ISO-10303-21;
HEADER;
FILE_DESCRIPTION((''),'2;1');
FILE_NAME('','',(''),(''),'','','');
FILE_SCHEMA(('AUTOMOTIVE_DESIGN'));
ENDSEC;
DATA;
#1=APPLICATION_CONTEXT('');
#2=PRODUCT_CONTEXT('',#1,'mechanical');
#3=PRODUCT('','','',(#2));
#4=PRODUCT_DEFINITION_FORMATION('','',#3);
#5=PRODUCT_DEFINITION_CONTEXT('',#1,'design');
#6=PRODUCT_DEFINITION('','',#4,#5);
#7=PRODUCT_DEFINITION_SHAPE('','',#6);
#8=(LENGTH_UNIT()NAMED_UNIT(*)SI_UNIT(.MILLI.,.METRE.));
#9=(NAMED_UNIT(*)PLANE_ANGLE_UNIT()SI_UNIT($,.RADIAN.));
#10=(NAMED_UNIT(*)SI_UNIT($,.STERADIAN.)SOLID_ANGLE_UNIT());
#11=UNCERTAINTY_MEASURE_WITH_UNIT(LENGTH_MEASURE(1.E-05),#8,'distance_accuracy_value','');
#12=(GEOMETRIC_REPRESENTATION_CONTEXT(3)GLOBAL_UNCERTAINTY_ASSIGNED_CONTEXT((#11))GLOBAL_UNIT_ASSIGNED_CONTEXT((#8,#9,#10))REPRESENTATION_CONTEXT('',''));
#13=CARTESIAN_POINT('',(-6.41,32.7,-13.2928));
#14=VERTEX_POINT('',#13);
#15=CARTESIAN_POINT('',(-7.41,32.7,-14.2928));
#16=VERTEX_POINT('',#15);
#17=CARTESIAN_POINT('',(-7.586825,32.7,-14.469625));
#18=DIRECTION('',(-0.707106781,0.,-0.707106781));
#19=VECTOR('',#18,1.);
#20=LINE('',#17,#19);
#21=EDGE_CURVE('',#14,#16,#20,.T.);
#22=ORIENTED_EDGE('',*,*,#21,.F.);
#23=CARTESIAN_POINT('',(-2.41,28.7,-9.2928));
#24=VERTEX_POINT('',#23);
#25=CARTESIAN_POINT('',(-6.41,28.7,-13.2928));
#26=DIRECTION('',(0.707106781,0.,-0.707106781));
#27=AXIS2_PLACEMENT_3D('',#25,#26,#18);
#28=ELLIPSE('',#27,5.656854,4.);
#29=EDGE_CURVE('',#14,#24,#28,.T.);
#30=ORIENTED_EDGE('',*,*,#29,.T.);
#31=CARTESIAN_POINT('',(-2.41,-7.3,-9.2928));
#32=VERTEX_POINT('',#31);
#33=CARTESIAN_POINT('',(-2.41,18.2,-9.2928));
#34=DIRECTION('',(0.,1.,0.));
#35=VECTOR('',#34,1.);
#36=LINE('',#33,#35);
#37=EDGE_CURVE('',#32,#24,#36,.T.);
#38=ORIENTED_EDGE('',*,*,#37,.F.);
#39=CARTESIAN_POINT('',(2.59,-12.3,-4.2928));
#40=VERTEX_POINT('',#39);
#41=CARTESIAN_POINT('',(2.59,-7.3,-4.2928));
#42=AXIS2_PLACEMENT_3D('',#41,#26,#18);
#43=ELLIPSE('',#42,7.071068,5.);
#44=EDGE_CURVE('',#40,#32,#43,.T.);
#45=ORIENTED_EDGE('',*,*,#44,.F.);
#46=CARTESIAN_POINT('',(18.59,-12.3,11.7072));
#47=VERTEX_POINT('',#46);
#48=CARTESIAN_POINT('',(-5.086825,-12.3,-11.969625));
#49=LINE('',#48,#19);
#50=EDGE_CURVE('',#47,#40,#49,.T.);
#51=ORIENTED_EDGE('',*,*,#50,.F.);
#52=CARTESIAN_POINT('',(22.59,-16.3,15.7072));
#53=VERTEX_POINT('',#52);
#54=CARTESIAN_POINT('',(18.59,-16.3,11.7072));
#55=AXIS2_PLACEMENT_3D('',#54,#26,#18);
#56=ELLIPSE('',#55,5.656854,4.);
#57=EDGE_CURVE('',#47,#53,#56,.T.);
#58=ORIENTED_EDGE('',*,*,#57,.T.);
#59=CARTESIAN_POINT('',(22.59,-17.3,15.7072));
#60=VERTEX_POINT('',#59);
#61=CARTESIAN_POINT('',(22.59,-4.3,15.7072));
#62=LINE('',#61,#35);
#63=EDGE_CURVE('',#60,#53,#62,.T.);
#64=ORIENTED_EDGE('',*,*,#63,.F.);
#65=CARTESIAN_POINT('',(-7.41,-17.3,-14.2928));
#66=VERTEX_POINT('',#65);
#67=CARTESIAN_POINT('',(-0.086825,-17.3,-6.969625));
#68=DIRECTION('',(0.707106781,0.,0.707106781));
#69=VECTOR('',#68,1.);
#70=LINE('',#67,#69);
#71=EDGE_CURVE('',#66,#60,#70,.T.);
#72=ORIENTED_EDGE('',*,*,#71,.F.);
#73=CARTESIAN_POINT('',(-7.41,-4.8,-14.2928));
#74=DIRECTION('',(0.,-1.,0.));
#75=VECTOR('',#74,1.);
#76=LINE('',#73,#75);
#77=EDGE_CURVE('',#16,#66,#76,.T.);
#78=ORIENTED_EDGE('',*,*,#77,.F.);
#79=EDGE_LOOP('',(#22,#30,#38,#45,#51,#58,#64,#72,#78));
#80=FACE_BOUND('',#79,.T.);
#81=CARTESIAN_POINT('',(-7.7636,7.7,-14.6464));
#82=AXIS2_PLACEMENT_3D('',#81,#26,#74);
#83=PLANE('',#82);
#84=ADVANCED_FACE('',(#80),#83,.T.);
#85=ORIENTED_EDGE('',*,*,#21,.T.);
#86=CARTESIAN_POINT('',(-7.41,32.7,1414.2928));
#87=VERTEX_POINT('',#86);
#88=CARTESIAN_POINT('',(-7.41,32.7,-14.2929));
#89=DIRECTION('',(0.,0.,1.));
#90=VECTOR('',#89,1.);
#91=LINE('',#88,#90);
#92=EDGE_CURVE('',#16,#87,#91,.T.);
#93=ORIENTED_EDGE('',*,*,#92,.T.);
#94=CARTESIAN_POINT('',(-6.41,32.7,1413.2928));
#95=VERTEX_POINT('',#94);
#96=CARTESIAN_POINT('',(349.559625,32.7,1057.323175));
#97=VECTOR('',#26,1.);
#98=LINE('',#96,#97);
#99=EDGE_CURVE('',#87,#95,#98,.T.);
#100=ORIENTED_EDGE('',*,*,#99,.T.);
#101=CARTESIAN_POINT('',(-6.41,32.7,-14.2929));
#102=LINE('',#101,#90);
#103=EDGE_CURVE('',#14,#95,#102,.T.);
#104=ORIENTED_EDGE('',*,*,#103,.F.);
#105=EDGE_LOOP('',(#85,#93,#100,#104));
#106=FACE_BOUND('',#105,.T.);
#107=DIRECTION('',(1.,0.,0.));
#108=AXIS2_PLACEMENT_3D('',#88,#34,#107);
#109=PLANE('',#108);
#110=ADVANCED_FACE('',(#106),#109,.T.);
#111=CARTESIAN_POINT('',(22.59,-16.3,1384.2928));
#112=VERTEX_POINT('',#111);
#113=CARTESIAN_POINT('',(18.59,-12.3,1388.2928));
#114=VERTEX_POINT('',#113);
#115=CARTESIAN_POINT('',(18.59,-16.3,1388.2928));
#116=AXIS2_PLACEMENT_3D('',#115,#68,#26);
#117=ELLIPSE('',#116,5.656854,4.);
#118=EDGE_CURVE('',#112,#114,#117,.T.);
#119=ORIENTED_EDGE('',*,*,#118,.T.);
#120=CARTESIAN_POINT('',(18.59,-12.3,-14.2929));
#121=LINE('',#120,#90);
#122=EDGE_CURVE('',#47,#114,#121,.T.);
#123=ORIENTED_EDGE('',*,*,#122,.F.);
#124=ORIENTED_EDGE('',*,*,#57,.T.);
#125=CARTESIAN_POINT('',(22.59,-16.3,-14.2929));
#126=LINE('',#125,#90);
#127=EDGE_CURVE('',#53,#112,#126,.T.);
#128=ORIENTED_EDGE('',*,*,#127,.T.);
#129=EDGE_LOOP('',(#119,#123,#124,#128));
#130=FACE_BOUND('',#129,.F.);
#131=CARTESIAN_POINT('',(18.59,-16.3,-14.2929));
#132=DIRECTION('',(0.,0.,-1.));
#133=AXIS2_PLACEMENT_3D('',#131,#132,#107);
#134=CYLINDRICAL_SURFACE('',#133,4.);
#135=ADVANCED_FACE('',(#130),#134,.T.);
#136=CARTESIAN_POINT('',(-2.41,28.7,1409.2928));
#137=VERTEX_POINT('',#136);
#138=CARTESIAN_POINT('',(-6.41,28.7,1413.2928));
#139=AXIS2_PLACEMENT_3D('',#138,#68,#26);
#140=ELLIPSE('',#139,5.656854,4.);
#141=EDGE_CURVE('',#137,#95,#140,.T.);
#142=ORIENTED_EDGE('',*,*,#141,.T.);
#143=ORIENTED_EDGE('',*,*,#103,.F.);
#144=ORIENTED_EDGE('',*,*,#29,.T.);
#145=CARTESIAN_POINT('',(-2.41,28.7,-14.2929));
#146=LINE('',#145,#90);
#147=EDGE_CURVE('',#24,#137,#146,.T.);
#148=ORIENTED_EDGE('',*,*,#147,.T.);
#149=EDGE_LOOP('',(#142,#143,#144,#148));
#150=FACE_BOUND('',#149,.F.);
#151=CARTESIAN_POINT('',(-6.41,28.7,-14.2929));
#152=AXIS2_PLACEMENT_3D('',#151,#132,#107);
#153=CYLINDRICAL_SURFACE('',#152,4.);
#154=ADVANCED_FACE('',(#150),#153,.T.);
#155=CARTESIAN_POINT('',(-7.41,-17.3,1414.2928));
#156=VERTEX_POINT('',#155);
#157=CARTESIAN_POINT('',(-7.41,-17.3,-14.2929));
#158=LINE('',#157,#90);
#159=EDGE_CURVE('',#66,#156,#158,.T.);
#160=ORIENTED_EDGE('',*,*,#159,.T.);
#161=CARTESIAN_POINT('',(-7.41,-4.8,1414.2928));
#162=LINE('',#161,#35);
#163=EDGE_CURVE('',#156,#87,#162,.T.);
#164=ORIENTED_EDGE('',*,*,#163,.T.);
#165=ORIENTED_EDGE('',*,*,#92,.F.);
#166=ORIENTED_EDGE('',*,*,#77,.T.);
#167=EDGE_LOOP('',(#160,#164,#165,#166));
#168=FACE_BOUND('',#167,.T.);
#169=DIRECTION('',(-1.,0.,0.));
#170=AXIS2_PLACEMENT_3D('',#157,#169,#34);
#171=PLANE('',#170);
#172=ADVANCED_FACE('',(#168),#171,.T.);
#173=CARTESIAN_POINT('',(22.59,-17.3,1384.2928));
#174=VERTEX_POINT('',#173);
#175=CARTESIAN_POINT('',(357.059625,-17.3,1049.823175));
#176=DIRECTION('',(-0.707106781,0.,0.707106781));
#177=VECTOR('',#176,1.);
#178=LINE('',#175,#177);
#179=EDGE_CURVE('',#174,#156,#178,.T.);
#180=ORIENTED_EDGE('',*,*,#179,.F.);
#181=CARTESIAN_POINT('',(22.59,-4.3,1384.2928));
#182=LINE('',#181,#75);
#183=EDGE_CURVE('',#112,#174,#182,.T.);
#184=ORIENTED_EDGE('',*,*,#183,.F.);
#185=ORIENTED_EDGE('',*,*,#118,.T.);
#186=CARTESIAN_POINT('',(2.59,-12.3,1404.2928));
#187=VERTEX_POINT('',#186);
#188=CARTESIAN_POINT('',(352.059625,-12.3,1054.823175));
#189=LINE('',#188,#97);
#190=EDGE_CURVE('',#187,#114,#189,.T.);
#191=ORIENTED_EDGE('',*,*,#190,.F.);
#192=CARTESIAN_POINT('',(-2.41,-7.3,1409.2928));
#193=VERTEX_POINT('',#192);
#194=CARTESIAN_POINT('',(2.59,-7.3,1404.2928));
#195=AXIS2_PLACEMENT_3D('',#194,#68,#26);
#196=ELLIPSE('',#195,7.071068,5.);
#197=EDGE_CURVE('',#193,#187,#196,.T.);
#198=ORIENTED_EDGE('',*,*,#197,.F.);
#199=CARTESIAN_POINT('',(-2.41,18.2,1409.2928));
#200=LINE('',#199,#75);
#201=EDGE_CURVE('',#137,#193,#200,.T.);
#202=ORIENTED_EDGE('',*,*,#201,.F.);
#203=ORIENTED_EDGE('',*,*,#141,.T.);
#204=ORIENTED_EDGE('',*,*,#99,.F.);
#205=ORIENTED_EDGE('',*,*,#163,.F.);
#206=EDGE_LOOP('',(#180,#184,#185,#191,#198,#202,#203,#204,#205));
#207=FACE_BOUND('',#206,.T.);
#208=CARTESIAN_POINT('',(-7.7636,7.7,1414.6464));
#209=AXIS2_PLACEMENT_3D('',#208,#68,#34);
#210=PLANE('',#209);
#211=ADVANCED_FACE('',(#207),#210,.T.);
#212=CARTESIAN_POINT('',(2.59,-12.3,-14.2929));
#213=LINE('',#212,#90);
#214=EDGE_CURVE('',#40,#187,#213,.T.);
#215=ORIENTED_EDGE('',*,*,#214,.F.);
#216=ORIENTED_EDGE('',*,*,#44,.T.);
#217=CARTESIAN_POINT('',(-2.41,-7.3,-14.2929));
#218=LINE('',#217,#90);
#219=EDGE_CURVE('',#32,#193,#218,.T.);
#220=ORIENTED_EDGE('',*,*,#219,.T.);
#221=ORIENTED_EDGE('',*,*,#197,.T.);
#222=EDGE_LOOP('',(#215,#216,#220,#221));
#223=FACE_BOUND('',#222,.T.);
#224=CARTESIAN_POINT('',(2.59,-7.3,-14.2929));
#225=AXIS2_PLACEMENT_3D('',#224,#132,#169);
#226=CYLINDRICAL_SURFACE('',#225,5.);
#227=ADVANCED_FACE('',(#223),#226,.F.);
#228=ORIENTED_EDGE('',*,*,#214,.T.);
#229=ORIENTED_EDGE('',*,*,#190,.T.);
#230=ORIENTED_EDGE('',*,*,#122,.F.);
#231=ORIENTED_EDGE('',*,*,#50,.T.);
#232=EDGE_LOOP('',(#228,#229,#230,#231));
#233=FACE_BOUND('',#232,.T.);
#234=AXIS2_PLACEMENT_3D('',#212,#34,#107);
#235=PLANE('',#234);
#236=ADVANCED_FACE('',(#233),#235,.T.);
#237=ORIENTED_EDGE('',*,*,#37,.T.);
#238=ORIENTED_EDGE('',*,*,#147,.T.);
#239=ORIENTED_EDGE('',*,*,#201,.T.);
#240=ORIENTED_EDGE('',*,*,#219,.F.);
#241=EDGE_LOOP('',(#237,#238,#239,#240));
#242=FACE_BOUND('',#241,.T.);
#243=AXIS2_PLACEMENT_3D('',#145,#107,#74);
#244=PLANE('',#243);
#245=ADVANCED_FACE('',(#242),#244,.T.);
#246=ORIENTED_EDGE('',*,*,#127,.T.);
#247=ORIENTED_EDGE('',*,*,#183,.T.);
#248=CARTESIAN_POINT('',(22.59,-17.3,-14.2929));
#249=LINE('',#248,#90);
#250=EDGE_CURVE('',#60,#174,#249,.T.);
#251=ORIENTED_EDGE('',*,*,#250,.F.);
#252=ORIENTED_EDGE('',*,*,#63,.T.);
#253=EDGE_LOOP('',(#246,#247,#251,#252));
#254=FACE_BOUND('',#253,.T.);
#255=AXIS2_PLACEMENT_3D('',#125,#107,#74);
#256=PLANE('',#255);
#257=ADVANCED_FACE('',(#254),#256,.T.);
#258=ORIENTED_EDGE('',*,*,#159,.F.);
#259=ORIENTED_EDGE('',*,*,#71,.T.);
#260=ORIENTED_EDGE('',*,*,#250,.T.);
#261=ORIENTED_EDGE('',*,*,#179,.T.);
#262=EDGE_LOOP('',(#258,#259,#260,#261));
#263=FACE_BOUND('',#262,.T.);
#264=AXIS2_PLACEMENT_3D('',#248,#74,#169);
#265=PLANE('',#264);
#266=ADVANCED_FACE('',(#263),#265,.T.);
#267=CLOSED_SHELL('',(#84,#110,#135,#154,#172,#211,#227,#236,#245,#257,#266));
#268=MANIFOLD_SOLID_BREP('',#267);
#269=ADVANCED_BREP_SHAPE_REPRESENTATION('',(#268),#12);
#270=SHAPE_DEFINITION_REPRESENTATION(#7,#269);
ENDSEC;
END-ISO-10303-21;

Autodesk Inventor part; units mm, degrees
ref_plane "Start Plane" through (0, 0, -14.2929) normal (0, 0, 1) x (1, 0, 0)
ref_plane "End Plane" through (0, 0, 1414.2929) normal (0, 0, 1) x (1, 0, 0)
sketch "Sketch" plane through (0, 0, 0) normal (0, 0, 1) x (1, 0, 0)
  line L0 (-2.41, 28.7) -> (-2.41, -7.3)
  line L1 (-7.41, 32.7) -> (-6.41, 32.7)
  line L2 (-7.41, -17.3) -> (-7.41, 32.7)
  line L3 (22.59, -17.3) -> (-7.41, -17.3)
  line L4 (22.59, -16.3) -> (22.59, -17.3)
  line L5 (2.59, -12.3) -> (18.59, -12.3)
  arc A0 (-2.41, -7.3) -> (2.59, -12.3) centre (2.59, -7.3) ccw
  arc A1 (-2.41, 28.7) -> (-6.41, 32.7) centre (-6.41, 28.7) ccw
  arc A2 (22.59, -16.3) -> (18.59, -12.3) centre (18.59, -16.3) ccw
  line L6 (0, 43.6941) -> (0, -27.4657) construction
  line L7 (-13.5757, 0) -> (29.5841, 0) construction
  point P0 (-2.41, 32.7)
  point P1 (-2.41, -12.3)
  point P2 (22.59, -12.3)
  dimension "d4" = 30
  dimension "d6" = 50
  dimension "d8" = 5
  dimension "d10" = 5
  dimension "d17" = 5
  dimension "d18" = 4
  dimension "d19" = 17.3
  dimension "d20" = 7.41
extrude "Body" add sketch "Sketch" along normal up to surface (1428.5858 mm away) from surface at -14.2929
sketch "Sketch3" plane through (0, 0, 0) normal (0, 0, 1) x (1, 0, 0)
  line L0 (0, 0) -> (10, 0)
ref_plane "Work Plane10" through (0, 0, 0) normal (0, -1, 0) x (1, 0, 0)
sketch "Sketch4" plane through (0, 0, 0) normal (0, -1, 0) x (1, 0, 0)
  line L0 (-2, -14.2929) -> (12, -14.2929)
  line L1 (-2, 1414.2929) -> (12, 1414.2929)
  dimension "d24" = 1428.5858
ref_plane "Work Plane11" through (-7.7636, 7.7, 1414.6464) normal (0.7071, 0, 0.7071) x (0.7071, 0, -0.7071)
split "Split1" plane through (-7.7636, 7.7, 1414.6464) removes the side toward (0.7071, 0, 0.7071)
ref_plane "Work Plane12" through (-7.7636, 7.7, -14.6464) normal (0.7071, 0, -0.7071) x (-0.7071, 0, -0.7071)
split "Split2" plane through (-7.7636, 7.7, -14.6464) removes the side toward (0.7071, 0, -0.7071)
equation "\"d4\" = b"
equation "\"d6\" = ParH"
equation "\"d8\" = ParT"
equation "\"d10\" = ParT"
equation "\"d17\" = R"
equation "\"d18\" = R1"
equation "\"d19\" = ex"
equation "\"d20\" = ey"
equation "\"d11\" = G_L"
equation "\"b\" = 30"
equation "\"ParT\" = 5"
equation "\"R1\" = 4"
equation "\"G_L\" = d24"
equation "\"ParH\" = 50"
equation "\"R\" = 5"
equation "\"ey\" = 7.41"
equation "\"ex\" = 17.3"
equation "\"G_OFFSET_START\" = 14.29289"
equation "\"G_OFFSET_END\" = 14.29289"
equation "\"d21\" = -G_OFFSET_START"
equation "\"d22\" = G_OFFSET_END + B_L"
equation "\"B_L\" = 1400"
properties part number "ISO 657-2 - 50x 30x 5-1428.59" material "Steel, Mild"
